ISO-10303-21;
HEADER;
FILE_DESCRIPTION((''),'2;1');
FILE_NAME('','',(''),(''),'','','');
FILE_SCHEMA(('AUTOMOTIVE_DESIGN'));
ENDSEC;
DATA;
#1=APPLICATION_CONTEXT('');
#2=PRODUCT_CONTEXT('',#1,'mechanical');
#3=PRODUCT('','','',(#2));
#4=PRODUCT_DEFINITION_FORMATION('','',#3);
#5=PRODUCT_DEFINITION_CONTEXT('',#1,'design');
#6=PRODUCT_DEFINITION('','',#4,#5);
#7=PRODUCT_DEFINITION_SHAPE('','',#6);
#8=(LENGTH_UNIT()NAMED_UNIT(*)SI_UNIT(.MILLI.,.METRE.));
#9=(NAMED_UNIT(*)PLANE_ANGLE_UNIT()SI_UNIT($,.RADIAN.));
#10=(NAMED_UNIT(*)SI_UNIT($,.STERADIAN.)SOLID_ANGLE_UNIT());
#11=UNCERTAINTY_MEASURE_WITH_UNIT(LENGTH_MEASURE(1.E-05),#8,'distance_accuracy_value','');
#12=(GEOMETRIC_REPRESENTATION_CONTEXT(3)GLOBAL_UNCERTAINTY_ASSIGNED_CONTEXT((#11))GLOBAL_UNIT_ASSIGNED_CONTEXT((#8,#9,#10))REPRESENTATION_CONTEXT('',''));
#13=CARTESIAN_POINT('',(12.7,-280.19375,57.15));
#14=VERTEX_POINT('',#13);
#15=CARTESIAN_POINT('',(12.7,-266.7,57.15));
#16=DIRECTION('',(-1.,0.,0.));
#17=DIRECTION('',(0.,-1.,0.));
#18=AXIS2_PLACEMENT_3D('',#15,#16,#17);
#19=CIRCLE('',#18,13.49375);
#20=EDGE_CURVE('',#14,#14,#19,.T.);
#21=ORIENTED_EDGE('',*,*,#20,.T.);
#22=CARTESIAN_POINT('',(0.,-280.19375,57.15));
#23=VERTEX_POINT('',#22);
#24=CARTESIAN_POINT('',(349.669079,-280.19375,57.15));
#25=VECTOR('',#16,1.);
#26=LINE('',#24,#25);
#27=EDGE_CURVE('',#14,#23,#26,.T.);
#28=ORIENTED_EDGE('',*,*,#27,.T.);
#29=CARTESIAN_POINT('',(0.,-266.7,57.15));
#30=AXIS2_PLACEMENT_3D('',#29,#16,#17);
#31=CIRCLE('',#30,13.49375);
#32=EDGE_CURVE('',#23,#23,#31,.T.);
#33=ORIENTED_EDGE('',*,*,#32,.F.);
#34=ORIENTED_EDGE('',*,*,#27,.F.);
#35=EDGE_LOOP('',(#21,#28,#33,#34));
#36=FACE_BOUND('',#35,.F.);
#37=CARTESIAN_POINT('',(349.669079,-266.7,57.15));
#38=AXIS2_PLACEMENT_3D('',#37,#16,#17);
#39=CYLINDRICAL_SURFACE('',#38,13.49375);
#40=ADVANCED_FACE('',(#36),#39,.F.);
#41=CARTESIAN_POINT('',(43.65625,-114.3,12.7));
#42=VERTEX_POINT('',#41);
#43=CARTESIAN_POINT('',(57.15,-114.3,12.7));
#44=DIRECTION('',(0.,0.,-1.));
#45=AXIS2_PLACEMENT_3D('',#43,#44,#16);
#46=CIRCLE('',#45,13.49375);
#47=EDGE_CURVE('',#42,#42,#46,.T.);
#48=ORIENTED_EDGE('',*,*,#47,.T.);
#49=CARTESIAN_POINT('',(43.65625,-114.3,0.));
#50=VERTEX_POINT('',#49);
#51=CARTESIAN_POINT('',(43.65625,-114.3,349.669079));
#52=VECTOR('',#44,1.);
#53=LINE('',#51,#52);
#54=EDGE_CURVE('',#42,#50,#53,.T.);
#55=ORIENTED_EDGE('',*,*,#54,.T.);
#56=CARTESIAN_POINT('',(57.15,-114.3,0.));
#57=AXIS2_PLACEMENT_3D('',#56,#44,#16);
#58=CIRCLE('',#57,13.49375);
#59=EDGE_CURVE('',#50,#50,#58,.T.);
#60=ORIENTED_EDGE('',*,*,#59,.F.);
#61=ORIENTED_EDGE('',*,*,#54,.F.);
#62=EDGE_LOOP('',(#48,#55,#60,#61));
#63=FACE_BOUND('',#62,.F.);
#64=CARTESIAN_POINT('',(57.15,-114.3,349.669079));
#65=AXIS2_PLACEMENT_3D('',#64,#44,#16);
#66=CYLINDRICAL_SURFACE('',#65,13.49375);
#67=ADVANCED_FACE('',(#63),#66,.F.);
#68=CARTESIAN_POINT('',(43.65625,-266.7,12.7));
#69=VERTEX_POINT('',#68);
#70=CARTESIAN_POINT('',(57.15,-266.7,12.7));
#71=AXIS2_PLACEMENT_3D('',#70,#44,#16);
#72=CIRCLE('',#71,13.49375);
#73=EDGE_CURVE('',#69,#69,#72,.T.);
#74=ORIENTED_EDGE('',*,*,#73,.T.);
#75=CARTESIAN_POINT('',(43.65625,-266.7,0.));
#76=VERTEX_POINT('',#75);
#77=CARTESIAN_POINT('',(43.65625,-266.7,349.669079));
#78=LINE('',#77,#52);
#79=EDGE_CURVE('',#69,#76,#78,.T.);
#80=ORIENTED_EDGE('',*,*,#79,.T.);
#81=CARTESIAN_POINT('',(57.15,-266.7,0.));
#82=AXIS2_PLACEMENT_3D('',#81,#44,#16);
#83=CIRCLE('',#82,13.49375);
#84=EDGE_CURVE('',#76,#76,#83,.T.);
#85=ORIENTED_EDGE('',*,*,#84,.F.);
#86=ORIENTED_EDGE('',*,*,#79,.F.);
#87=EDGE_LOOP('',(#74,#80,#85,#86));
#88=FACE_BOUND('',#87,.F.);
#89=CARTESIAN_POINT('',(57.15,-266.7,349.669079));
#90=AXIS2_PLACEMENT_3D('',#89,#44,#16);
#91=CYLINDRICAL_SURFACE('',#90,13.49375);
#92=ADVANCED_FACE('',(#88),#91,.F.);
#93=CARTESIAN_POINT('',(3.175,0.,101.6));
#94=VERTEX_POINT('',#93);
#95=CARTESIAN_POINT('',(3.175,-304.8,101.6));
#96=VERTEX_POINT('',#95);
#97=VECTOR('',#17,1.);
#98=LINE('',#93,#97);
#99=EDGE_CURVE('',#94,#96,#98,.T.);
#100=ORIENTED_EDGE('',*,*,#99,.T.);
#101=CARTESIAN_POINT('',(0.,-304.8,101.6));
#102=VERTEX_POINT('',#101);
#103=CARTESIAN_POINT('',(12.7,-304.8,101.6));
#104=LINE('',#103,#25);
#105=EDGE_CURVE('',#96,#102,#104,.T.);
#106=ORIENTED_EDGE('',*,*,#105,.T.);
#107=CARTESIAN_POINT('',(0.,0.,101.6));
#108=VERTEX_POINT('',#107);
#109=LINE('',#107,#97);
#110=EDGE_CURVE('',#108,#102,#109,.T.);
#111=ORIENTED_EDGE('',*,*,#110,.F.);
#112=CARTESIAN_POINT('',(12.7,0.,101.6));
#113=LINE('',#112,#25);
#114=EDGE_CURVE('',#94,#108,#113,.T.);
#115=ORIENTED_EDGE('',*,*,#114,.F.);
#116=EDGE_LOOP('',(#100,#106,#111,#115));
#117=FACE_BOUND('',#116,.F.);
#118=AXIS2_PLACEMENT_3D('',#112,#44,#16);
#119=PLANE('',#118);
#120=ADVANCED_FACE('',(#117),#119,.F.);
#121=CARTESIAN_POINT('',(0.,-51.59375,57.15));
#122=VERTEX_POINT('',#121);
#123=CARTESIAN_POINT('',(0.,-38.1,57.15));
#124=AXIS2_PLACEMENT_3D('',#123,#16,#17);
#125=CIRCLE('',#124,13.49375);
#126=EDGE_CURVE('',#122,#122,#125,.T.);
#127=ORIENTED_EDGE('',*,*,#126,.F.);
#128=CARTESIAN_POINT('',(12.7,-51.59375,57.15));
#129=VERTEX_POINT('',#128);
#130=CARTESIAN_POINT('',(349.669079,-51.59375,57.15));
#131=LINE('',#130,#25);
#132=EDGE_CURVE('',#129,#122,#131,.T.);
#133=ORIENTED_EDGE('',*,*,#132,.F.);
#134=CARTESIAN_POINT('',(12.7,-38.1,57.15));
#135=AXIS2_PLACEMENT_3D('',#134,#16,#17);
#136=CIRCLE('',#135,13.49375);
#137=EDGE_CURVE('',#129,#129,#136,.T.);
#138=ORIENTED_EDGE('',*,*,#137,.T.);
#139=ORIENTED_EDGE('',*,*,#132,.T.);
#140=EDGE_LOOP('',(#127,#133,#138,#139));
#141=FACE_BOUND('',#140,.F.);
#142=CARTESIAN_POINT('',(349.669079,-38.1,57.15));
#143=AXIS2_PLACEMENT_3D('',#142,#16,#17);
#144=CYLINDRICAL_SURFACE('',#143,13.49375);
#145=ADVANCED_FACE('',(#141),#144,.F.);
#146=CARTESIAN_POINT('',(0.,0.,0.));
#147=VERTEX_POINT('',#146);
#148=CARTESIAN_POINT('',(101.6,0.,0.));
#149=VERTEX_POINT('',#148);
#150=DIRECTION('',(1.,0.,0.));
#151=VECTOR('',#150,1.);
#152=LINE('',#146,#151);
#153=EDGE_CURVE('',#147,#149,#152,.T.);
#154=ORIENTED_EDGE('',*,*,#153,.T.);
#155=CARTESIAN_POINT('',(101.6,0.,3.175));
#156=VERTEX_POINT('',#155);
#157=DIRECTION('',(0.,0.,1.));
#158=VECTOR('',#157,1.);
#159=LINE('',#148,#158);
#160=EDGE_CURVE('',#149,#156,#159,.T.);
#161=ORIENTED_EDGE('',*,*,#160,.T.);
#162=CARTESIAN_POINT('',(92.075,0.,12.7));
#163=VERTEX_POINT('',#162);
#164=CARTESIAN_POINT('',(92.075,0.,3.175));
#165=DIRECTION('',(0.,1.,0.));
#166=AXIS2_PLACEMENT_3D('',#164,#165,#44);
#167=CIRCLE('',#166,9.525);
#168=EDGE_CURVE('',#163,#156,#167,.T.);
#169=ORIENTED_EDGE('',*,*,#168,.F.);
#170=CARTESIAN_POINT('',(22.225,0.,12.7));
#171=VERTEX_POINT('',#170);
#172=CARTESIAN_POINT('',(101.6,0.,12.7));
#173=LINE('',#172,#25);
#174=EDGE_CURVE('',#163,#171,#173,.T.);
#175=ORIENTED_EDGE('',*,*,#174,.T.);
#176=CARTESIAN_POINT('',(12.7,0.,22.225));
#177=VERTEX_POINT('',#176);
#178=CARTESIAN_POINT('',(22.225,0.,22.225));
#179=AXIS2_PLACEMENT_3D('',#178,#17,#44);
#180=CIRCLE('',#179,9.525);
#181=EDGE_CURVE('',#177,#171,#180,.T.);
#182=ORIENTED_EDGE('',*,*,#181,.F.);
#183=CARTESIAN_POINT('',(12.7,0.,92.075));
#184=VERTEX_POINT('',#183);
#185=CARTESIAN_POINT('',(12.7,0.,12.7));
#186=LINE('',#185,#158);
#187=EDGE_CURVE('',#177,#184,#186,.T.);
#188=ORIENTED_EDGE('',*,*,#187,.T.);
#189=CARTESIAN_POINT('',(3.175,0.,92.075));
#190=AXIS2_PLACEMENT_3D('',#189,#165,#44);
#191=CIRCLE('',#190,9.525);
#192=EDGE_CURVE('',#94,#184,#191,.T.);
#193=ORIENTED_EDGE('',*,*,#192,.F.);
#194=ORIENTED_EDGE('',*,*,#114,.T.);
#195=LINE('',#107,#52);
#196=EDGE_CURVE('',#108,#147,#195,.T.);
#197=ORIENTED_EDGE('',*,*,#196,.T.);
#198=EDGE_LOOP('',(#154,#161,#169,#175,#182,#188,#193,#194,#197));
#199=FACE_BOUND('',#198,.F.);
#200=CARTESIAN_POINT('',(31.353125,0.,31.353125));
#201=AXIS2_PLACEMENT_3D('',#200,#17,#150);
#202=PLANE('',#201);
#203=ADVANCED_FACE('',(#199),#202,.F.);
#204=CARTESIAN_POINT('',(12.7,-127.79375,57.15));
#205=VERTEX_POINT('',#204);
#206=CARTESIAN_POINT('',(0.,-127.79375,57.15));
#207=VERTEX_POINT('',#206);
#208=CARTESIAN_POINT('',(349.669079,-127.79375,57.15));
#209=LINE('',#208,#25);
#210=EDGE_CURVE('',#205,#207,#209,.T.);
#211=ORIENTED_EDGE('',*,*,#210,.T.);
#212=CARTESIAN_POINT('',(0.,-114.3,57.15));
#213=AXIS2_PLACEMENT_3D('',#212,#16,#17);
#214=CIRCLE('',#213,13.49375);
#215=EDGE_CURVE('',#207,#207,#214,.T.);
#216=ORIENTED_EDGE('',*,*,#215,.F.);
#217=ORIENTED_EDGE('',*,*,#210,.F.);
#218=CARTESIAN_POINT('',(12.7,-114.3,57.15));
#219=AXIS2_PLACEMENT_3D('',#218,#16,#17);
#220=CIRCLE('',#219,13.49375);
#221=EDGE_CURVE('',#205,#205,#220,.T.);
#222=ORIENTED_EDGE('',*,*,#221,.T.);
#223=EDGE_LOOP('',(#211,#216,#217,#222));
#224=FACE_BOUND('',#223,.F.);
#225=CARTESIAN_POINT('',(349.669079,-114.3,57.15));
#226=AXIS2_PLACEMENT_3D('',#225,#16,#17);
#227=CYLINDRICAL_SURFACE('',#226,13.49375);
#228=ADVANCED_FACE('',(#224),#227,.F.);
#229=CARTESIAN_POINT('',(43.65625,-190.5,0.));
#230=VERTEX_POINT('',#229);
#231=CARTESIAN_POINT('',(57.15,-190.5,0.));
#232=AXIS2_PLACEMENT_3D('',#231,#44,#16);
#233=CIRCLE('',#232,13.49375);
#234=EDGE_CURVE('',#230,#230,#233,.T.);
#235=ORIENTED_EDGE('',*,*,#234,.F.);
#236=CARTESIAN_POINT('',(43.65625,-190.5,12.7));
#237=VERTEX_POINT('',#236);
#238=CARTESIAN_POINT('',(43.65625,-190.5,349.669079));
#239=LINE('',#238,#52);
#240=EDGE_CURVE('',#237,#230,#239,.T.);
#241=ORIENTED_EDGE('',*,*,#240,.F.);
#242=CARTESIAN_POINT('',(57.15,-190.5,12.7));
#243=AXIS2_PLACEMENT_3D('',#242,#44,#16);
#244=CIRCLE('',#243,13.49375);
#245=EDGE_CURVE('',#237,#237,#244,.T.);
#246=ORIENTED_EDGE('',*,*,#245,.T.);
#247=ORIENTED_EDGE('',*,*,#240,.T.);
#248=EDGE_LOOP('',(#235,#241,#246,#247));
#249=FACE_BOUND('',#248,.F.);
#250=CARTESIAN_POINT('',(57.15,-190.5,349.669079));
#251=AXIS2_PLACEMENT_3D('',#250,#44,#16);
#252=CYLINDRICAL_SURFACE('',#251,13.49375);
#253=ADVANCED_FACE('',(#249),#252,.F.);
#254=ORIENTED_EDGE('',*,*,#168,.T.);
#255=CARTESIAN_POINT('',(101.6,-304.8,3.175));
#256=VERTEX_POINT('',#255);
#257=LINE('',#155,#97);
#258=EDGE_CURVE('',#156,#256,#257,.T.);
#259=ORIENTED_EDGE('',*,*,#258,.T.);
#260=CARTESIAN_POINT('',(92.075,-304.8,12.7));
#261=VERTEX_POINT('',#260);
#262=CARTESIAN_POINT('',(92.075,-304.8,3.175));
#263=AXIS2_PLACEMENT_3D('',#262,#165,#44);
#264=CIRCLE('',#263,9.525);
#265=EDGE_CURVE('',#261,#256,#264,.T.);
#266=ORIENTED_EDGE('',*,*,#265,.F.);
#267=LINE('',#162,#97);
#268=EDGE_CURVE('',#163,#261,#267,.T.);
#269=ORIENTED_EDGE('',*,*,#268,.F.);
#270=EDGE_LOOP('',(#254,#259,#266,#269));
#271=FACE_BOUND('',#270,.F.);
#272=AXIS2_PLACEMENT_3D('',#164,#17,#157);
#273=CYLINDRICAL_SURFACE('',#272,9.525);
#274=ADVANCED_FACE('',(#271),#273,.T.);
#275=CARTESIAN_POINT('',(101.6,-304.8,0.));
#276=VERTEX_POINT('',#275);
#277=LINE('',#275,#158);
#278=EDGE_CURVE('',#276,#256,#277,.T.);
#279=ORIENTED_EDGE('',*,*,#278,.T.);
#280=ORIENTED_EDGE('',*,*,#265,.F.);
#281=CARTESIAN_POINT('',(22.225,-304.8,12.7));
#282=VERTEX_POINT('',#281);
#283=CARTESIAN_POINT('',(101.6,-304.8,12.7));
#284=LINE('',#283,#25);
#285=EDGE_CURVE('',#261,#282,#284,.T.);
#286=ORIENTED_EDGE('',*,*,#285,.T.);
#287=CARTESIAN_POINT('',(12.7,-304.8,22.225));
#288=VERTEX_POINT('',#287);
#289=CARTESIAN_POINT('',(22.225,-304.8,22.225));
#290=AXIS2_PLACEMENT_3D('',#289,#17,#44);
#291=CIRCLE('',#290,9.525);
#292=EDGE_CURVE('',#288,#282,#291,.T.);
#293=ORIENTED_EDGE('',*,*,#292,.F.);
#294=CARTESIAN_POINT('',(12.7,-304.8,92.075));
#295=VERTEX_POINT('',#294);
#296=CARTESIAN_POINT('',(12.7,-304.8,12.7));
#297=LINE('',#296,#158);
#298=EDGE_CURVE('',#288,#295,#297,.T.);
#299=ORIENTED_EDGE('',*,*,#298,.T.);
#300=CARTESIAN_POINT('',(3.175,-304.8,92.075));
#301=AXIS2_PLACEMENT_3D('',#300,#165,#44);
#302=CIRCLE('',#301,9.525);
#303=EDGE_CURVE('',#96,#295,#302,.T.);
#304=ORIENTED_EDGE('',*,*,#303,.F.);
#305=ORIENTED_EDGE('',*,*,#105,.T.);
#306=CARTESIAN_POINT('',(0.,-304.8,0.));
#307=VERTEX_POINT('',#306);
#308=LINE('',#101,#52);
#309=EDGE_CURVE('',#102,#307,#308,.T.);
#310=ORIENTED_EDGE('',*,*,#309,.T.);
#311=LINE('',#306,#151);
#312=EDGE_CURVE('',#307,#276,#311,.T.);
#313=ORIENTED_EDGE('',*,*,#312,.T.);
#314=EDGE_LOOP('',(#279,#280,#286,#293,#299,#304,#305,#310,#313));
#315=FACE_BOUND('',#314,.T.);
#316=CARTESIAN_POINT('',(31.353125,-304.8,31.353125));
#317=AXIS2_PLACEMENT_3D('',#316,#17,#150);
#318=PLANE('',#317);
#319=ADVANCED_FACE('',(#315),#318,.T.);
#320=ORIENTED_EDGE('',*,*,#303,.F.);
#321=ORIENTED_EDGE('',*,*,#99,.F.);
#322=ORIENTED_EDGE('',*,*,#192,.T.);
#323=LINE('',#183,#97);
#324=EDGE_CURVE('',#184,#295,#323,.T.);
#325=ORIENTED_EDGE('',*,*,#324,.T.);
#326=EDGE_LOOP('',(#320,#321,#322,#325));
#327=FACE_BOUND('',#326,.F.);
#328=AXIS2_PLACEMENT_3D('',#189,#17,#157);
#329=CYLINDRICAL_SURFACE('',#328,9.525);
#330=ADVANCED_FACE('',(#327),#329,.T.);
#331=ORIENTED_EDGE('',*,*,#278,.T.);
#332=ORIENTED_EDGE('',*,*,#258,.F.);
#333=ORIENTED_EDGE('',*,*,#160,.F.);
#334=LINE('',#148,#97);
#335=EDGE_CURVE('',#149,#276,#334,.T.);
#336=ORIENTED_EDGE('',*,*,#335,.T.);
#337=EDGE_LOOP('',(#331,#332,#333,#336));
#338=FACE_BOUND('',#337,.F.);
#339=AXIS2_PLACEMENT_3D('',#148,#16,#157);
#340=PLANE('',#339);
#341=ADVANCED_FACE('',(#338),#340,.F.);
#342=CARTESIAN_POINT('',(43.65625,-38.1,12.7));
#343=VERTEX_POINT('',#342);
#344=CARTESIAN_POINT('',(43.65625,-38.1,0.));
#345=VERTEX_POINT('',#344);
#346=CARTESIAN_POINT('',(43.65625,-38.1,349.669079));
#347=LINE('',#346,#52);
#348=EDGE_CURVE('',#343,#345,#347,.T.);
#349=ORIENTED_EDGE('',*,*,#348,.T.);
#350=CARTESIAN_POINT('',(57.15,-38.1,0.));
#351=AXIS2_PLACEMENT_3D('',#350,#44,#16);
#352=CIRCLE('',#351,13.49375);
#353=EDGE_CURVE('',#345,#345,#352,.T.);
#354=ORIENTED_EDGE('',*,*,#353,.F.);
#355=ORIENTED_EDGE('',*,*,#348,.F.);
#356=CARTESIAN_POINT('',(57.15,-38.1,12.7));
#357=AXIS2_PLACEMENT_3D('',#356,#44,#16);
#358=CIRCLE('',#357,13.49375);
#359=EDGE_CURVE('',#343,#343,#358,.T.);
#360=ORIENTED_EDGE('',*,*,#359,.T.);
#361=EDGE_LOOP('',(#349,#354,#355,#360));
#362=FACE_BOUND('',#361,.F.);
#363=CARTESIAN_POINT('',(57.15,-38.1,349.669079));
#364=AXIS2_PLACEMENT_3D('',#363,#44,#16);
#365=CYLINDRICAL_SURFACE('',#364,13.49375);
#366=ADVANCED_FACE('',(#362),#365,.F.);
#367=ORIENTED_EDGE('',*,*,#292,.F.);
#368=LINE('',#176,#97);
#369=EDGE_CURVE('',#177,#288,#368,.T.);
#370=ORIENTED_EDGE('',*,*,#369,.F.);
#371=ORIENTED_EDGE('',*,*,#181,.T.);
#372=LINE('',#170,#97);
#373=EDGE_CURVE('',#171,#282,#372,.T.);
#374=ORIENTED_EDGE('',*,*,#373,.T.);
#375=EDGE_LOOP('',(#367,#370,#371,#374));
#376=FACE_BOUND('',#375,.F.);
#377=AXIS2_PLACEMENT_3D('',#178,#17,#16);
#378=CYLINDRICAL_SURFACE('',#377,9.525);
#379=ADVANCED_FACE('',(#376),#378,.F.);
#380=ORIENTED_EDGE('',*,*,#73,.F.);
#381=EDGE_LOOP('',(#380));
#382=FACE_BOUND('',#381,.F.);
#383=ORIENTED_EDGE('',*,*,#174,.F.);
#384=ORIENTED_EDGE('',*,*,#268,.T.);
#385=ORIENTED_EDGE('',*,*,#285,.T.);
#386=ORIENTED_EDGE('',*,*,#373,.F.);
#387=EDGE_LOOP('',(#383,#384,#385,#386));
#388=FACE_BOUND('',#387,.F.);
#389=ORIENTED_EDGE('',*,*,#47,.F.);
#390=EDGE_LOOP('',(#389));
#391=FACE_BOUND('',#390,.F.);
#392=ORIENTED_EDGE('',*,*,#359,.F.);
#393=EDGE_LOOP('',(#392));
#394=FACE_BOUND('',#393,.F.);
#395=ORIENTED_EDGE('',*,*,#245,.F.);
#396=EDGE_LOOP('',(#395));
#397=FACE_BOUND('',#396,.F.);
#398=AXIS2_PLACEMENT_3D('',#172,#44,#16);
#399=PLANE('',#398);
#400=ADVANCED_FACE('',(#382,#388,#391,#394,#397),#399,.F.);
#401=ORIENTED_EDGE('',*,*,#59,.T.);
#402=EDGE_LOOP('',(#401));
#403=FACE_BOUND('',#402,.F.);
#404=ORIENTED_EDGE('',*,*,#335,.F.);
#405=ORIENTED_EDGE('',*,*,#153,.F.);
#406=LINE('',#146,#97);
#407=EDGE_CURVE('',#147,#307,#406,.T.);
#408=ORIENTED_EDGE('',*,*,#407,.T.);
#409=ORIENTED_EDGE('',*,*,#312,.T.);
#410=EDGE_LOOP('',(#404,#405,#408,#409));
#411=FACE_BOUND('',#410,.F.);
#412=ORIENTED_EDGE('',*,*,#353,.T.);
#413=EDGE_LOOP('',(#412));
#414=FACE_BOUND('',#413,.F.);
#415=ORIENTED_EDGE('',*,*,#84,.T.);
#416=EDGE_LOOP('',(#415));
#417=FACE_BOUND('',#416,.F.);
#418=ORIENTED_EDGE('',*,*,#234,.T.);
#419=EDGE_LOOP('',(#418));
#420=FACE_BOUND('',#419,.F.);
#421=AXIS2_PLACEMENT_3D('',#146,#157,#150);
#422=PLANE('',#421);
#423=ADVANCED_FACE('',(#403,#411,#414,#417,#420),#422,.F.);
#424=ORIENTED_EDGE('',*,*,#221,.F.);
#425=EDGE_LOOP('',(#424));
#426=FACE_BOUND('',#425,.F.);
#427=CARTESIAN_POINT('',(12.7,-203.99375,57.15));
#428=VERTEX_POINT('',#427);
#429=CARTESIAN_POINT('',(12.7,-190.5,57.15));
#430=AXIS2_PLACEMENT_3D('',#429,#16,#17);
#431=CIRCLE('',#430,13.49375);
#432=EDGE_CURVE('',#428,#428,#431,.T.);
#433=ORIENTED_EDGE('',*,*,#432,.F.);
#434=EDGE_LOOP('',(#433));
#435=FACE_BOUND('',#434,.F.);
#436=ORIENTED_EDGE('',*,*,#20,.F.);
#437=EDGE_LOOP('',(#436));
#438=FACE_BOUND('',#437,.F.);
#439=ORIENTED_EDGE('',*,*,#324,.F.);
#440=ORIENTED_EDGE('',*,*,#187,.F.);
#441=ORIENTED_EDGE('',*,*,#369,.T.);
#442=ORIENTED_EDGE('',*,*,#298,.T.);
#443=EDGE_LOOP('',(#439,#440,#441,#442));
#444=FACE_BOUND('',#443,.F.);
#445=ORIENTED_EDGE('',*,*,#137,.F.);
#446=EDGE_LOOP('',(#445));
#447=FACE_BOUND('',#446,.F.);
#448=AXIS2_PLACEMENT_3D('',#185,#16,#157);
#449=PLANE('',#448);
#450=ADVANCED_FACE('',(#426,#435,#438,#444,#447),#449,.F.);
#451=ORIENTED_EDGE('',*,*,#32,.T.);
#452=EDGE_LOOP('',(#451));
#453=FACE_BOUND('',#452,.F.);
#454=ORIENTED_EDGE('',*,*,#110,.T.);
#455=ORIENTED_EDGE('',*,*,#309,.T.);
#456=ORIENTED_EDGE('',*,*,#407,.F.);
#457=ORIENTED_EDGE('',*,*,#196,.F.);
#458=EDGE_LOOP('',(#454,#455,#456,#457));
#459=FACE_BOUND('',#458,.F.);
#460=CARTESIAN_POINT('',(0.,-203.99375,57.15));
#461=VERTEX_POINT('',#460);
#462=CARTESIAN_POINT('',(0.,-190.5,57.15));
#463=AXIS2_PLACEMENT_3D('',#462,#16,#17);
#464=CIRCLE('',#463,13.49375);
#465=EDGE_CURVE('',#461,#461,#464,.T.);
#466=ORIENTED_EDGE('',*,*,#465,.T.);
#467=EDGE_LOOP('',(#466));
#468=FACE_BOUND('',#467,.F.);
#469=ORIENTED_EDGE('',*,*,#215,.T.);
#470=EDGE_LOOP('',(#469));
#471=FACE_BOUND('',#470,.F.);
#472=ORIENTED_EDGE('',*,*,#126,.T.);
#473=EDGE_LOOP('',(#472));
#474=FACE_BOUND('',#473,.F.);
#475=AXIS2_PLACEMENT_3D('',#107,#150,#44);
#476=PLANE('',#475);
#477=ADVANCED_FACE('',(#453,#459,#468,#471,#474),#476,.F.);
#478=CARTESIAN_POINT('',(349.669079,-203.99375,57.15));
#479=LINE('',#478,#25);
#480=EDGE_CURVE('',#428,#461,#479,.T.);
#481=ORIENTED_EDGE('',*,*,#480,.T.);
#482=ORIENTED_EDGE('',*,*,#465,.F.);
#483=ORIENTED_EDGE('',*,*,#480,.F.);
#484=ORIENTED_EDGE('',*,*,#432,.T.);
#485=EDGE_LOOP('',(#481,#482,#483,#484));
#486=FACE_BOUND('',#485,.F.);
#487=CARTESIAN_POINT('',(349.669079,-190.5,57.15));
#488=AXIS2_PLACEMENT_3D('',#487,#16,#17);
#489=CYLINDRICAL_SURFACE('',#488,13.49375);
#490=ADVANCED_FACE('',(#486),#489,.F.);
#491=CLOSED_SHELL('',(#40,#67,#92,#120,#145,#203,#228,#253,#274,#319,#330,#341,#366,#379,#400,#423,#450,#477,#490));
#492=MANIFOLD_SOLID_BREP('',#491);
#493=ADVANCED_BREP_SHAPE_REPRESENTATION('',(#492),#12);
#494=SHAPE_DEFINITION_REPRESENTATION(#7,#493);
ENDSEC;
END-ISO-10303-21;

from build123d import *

# Parameters (mm, degrees)
F1_DEPTH = 304.8
F3_D     = 26.9875
F5_D     = 26.9875
F6_R     = 9.525


with BuildPart() as f1:
    # F0 (on Front) → F1 (new body)
    with BuildSketch(Plane.XZ):
        Polygon((12.7, 101.6), (0, 101.6), (0, 0), (101.6, 0), (101.6, 12.7), (12.7, 12.7), align=None)
    extrude(amount=F1_DEPTH)

    # F3 (through all)
    with Locations(Plane.YZ.offset(12.7)):
        with Locations((-266.7, 57.15), (-190.5, 57.15), (-114.3, 57.15), (-38.1, 57.15)):
            Hole(F3_D / 2)

    # F5 (through all)
    with Locations(Plane.XY.offset(12.7)):
        with Locations((57.15, -38.1), (57.15, -114.3), (57.15, -190.5), (57.15, -266.7)):
            Hole(F5_D / 2)

    # F6
    f6_edges = [f1.edges().sort_by_distance(p)[0] for p in [
        (12.7, -152.4, 101.6),
        (12.7, -152.4, 12.7),
        (101.6, -152.4, 12.7),
    ]]
    fillet(f6_edges, radius=F6_R)


solid = f1.part
